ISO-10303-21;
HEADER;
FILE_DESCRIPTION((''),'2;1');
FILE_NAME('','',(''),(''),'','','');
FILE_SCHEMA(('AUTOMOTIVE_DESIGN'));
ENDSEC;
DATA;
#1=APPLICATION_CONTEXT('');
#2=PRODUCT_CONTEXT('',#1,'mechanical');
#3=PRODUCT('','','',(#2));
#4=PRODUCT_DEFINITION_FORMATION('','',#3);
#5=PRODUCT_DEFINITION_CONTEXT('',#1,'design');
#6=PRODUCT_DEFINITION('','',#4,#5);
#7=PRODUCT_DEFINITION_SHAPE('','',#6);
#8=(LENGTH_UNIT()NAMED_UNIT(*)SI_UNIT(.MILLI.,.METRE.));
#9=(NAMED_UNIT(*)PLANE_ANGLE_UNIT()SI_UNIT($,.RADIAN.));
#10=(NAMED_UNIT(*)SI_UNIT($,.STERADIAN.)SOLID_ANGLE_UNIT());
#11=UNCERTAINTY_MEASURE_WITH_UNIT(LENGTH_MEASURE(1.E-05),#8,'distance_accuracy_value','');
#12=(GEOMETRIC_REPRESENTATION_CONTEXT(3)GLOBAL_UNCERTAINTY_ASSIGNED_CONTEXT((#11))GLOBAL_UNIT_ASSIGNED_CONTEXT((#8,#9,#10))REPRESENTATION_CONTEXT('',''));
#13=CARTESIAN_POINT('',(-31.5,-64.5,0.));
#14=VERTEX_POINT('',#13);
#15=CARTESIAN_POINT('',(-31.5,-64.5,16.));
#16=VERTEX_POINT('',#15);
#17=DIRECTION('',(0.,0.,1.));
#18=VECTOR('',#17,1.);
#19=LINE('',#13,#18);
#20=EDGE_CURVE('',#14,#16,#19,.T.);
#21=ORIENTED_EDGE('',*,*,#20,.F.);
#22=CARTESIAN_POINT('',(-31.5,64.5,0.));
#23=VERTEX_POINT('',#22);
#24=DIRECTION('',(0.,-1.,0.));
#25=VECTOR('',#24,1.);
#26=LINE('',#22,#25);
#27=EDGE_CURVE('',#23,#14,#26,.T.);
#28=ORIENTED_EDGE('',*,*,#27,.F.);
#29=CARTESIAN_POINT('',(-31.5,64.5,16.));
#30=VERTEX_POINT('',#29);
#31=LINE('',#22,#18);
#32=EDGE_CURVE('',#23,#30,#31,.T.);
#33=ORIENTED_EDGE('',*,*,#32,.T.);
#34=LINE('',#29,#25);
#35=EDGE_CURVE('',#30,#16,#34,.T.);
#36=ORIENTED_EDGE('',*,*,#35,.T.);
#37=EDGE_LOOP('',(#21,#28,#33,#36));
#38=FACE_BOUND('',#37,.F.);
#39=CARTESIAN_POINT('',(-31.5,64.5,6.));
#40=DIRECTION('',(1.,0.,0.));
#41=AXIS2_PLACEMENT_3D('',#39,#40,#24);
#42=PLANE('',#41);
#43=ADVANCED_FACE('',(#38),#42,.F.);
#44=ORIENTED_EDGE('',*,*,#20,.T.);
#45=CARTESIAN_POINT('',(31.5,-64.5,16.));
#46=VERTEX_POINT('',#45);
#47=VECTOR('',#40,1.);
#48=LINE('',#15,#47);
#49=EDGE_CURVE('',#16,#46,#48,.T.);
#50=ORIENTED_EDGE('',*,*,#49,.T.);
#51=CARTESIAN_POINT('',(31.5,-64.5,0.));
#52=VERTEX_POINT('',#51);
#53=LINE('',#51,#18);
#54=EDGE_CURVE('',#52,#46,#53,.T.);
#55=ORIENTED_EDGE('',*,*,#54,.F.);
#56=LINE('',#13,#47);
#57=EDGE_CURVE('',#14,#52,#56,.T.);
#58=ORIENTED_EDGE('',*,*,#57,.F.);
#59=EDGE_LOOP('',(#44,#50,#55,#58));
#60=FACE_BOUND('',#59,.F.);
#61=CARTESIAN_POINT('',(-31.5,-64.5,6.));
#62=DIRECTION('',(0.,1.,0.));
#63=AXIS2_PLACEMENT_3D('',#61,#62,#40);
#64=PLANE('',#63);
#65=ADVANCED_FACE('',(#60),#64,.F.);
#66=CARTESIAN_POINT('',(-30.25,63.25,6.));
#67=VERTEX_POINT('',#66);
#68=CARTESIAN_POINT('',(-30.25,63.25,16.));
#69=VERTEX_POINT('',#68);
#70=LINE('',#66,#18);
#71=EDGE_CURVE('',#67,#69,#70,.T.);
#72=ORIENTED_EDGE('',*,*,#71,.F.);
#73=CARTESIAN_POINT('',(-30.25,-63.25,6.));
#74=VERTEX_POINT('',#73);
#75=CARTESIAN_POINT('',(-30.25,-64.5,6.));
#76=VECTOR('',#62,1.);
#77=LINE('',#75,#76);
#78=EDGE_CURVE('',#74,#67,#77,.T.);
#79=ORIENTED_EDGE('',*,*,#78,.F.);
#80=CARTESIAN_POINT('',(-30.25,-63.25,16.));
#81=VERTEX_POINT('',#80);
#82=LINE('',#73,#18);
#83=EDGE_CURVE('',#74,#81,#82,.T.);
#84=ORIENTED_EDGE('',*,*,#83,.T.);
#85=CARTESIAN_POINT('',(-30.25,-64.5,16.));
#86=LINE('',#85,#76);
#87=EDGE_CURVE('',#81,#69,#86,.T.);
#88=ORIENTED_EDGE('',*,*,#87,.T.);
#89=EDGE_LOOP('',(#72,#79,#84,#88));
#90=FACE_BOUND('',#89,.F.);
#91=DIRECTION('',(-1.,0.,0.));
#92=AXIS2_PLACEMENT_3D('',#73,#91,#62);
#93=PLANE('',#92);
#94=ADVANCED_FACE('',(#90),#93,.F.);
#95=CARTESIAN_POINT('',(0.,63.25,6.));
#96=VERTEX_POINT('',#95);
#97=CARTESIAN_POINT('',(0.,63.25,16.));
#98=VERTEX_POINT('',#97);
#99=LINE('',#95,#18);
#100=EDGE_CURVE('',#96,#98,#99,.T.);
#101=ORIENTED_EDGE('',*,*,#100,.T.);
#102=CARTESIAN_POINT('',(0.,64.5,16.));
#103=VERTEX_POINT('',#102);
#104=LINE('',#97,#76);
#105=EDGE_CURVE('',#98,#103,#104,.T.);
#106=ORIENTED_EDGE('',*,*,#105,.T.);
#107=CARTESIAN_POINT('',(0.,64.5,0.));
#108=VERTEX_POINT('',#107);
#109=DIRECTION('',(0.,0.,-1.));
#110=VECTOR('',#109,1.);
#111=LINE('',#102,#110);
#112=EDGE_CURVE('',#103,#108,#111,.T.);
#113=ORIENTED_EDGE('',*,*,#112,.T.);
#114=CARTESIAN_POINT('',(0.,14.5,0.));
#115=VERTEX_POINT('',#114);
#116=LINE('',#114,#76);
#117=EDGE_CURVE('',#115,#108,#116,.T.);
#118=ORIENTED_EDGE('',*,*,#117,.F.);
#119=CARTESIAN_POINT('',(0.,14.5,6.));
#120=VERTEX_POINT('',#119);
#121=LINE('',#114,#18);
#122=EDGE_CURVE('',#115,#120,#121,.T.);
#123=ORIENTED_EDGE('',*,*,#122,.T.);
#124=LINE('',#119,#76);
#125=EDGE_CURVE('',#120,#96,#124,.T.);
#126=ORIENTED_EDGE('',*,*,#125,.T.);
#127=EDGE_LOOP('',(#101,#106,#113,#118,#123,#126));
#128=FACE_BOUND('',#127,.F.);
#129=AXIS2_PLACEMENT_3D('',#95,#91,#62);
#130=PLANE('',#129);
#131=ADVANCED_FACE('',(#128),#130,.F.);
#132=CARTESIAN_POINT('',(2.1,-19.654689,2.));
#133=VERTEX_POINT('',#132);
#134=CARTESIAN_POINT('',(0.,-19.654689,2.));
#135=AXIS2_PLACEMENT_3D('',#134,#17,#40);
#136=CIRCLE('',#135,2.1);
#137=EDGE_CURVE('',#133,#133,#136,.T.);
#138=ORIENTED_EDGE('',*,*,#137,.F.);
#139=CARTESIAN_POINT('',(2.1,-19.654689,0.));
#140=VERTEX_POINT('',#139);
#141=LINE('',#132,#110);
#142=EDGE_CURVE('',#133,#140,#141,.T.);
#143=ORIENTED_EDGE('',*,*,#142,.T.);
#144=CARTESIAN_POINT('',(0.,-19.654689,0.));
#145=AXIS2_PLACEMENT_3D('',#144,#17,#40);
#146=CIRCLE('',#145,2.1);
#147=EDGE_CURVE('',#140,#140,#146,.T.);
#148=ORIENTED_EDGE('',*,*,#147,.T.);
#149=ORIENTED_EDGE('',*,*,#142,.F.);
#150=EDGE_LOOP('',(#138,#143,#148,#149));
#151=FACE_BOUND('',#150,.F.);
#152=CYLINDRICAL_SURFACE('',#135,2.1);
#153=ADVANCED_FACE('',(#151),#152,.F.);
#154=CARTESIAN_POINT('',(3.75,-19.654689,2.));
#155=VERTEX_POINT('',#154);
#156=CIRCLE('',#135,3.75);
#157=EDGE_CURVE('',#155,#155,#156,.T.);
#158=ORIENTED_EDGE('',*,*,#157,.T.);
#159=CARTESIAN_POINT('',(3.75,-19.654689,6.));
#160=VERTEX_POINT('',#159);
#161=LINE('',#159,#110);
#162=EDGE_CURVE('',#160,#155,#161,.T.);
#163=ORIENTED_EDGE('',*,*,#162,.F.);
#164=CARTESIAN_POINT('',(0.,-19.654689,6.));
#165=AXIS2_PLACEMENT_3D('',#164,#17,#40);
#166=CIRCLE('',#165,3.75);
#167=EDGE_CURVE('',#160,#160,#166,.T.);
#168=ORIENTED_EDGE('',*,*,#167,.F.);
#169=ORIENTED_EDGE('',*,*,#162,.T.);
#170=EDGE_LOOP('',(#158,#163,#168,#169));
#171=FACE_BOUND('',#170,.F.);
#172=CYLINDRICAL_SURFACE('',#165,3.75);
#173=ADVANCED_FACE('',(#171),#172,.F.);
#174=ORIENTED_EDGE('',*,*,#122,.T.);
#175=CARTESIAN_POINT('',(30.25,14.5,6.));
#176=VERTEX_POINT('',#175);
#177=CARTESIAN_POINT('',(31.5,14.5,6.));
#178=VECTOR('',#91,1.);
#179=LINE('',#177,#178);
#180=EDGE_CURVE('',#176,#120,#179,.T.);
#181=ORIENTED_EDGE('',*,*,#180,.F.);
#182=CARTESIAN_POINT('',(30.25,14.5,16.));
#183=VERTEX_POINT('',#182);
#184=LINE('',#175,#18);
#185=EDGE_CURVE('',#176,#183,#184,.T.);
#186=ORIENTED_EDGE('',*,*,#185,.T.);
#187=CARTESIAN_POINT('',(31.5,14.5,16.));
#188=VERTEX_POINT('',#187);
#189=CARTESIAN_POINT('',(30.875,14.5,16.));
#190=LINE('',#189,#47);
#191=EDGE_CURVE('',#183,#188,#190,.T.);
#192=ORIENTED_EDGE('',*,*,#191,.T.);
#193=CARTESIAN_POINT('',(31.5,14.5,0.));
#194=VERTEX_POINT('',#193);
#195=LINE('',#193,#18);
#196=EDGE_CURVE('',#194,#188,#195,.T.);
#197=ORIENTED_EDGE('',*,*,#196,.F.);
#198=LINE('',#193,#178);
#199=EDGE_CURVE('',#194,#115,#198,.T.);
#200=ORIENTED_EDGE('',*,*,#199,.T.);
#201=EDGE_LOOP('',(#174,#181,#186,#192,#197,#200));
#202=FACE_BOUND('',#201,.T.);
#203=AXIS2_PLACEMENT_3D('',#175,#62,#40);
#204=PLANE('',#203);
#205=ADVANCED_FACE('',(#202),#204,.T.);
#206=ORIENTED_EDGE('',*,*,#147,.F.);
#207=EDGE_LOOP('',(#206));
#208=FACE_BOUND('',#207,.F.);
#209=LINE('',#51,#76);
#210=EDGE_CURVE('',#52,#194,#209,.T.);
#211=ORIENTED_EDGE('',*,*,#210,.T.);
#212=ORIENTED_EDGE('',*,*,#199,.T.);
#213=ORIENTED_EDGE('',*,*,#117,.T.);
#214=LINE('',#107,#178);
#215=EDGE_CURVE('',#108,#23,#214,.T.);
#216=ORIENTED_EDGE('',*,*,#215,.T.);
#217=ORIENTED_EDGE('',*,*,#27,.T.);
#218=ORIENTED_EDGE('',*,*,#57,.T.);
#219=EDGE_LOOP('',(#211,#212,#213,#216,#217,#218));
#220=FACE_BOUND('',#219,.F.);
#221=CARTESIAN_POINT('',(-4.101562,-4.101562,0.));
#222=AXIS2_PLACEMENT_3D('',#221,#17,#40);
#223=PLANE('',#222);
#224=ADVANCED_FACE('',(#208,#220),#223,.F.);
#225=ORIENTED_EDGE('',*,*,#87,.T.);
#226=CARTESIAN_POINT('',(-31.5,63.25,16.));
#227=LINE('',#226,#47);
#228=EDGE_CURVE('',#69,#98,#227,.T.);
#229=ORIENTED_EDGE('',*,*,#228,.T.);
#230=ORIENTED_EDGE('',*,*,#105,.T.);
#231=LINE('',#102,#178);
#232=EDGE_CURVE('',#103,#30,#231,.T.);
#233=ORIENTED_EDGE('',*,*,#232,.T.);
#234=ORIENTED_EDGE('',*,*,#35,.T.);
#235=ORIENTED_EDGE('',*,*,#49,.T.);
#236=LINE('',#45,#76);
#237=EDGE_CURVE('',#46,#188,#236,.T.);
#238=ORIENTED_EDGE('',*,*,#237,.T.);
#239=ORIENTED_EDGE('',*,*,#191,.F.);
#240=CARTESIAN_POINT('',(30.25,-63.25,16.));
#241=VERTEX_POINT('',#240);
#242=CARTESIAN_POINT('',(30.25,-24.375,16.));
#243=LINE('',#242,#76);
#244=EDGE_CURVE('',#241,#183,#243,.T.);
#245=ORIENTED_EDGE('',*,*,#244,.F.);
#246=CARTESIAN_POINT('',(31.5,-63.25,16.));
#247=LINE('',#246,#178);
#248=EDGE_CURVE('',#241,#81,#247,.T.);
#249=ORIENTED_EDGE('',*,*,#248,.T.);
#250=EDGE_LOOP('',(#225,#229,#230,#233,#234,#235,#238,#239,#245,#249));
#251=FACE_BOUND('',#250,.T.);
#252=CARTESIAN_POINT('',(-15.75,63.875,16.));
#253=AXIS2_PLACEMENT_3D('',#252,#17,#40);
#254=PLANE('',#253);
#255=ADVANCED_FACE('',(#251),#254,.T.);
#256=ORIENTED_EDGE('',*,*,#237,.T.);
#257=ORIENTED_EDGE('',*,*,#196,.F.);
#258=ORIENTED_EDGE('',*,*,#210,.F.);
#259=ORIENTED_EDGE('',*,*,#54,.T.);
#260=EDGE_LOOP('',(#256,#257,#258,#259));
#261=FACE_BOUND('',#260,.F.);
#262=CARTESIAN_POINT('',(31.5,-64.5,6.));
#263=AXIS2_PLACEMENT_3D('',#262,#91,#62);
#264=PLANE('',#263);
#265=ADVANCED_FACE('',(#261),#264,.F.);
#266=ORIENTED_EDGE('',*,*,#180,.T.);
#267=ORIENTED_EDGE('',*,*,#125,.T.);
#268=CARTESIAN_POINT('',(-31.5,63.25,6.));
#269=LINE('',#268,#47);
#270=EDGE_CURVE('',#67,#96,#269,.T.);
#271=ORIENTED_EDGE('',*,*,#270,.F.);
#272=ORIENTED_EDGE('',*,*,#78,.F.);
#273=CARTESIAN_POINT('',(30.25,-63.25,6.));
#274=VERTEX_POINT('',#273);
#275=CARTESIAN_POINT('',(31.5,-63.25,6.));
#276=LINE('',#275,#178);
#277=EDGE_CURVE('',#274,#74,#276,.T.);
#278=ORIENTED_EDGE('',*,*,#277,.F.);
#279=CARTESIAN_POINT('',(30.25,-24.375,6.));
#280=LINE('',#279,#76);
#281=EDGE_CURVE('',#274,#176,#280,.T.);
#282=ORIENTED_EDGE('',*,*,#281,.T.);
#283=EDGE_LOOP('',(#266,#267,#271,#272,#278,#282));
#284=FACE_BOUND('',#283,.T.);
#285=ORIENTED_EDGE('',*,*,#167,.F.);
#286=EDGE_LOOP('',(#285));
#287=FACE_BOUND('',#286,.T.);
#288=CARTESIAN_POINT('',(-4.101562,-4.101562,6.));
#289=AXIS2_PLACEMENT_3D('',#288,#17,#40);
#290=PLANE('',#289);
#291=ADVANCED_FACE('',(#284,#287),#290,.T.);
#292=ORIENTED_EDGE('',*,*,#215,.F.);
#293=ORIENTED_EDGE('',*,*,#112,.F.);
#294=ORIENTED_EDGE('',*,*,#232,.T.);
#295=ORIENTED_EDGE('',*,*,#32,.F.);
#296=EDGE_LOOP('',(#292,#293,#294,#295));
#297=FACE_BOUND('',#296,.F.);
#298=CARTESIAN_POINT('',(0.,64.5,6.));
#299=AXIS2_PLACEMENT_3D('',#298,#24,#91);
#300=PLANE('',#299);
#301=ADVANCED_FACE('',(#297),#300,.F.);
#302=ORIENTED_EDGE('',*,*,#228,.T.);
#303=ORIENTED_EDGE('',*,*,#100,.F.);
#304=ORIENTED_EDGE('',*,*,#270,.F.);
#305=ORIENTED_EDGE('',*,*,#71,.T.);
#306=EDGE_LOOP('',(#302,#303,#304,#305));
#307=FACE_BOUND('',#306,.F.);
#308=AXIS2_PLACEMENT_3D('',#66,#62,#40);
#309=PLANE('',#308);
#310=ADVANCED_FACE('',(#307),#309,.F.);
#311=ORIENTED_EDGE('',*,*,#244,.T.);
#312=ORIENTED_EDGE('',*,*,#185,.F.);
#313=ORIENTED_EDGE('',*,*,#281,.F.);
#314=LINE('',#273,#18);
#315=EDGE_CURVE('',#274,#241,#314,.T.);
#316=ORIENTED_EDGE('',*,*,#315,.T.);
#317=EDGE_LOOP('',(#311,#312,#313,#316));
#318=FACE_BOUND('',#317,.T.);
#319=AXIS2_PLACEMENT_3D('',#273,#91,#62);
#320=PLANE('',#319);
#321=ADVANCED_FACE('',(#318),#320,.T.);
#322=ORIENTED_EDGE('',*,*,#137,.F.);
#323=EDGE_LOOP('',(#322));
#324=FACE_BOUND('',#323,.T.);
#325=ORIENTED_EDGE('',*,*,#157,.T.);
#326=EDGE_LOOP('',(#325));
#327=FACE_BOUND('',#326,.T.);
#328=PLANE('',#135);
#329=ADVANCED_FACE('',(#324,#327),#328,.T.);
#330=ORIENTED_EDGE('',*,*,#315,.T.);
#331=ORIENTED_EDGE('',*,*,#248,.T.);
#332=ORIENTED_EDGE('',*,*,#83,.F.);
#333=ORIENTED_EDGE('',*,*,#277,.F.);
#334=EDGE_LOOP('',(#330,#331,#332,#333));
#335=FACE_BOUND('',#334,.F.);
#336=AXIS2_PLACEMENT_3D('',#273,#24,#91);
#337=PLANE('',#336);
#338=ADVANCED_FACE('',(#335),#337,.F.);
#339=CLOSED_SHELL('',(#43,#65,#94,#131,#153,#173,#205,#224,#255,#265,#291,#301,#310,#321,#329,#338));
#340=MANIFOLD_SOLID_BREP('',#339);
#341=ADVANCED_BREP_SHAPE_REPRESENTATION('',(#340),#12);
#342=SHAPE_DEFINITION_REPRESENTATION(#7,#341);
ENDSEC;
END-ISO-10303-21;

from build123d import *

# Parameters (mm, degrees)
F1_DEPTH = 6
F2_W     = 1.25
F2_H     = 126.5
F2_H_2   = 1.25
F2_H_3   = 77.75
F3_DEPTH = 10
F4_R     = 3.75
F5_DEPTH = 4
F6_R     = 2.1
F7_DEPTH = 2


with BuildPart() as f1:
    # F0 (on Top) → F1 (new body)
    with BuildSketch(Plane.XY):
        Polygon((-31.5, -64.5), (31.5, -64.5), (31.5, 14.5), (0, 14.5), (0, 64.5), (-31.5, 64.5), align=None)
    extrude(amount=F1_DEPTH)

    # F2 (on face) → F3 (join)
    with BuildSketch(Plane.XY.offset(6)):
        Polygon((0, 64.5), (-31.5, 64.5), (-31.5, 63.25), (-30.25, 63.25), (-29, 63.25), (0, 63.25), align=None)
        with Locations((-30.875, 0)):
            Rectangle(F2_W, F2_H)
        with Locations((-30.875, -63.875)):
            Rectangle(F2_W, F2_H_2)
        Polygon((30.25, -63.25), (-30.25, -63.25), (-30.25, -64.5), (31.5, -64.5), (31.5, -63.25), align=None)
        with Locations((30.875, -24.375)):
            Rectangle(F2_W, F2_H_3)
    extrude(amount=F3_DEPTH)

    # F4 (on face) → F5 (cut)
    with BuildSketch(Plane.XY.offset(6)):
        with Locations((0, -19.654689)):
            Circle(F4_R)
    extrude(amount=-F5_DEPTH, mode=Mode.SUBTRACT)

    # F6 (on face) → F7 (cut, through all)
    with BuildSketch(Plane.XY.offset(2)):
        with Locations((0, -19.654689)):
            Circle(F6_R)
    extrude(amount=-F7_DEPTH, mode=Mode.SUBTRACT)


solid = f1.part
